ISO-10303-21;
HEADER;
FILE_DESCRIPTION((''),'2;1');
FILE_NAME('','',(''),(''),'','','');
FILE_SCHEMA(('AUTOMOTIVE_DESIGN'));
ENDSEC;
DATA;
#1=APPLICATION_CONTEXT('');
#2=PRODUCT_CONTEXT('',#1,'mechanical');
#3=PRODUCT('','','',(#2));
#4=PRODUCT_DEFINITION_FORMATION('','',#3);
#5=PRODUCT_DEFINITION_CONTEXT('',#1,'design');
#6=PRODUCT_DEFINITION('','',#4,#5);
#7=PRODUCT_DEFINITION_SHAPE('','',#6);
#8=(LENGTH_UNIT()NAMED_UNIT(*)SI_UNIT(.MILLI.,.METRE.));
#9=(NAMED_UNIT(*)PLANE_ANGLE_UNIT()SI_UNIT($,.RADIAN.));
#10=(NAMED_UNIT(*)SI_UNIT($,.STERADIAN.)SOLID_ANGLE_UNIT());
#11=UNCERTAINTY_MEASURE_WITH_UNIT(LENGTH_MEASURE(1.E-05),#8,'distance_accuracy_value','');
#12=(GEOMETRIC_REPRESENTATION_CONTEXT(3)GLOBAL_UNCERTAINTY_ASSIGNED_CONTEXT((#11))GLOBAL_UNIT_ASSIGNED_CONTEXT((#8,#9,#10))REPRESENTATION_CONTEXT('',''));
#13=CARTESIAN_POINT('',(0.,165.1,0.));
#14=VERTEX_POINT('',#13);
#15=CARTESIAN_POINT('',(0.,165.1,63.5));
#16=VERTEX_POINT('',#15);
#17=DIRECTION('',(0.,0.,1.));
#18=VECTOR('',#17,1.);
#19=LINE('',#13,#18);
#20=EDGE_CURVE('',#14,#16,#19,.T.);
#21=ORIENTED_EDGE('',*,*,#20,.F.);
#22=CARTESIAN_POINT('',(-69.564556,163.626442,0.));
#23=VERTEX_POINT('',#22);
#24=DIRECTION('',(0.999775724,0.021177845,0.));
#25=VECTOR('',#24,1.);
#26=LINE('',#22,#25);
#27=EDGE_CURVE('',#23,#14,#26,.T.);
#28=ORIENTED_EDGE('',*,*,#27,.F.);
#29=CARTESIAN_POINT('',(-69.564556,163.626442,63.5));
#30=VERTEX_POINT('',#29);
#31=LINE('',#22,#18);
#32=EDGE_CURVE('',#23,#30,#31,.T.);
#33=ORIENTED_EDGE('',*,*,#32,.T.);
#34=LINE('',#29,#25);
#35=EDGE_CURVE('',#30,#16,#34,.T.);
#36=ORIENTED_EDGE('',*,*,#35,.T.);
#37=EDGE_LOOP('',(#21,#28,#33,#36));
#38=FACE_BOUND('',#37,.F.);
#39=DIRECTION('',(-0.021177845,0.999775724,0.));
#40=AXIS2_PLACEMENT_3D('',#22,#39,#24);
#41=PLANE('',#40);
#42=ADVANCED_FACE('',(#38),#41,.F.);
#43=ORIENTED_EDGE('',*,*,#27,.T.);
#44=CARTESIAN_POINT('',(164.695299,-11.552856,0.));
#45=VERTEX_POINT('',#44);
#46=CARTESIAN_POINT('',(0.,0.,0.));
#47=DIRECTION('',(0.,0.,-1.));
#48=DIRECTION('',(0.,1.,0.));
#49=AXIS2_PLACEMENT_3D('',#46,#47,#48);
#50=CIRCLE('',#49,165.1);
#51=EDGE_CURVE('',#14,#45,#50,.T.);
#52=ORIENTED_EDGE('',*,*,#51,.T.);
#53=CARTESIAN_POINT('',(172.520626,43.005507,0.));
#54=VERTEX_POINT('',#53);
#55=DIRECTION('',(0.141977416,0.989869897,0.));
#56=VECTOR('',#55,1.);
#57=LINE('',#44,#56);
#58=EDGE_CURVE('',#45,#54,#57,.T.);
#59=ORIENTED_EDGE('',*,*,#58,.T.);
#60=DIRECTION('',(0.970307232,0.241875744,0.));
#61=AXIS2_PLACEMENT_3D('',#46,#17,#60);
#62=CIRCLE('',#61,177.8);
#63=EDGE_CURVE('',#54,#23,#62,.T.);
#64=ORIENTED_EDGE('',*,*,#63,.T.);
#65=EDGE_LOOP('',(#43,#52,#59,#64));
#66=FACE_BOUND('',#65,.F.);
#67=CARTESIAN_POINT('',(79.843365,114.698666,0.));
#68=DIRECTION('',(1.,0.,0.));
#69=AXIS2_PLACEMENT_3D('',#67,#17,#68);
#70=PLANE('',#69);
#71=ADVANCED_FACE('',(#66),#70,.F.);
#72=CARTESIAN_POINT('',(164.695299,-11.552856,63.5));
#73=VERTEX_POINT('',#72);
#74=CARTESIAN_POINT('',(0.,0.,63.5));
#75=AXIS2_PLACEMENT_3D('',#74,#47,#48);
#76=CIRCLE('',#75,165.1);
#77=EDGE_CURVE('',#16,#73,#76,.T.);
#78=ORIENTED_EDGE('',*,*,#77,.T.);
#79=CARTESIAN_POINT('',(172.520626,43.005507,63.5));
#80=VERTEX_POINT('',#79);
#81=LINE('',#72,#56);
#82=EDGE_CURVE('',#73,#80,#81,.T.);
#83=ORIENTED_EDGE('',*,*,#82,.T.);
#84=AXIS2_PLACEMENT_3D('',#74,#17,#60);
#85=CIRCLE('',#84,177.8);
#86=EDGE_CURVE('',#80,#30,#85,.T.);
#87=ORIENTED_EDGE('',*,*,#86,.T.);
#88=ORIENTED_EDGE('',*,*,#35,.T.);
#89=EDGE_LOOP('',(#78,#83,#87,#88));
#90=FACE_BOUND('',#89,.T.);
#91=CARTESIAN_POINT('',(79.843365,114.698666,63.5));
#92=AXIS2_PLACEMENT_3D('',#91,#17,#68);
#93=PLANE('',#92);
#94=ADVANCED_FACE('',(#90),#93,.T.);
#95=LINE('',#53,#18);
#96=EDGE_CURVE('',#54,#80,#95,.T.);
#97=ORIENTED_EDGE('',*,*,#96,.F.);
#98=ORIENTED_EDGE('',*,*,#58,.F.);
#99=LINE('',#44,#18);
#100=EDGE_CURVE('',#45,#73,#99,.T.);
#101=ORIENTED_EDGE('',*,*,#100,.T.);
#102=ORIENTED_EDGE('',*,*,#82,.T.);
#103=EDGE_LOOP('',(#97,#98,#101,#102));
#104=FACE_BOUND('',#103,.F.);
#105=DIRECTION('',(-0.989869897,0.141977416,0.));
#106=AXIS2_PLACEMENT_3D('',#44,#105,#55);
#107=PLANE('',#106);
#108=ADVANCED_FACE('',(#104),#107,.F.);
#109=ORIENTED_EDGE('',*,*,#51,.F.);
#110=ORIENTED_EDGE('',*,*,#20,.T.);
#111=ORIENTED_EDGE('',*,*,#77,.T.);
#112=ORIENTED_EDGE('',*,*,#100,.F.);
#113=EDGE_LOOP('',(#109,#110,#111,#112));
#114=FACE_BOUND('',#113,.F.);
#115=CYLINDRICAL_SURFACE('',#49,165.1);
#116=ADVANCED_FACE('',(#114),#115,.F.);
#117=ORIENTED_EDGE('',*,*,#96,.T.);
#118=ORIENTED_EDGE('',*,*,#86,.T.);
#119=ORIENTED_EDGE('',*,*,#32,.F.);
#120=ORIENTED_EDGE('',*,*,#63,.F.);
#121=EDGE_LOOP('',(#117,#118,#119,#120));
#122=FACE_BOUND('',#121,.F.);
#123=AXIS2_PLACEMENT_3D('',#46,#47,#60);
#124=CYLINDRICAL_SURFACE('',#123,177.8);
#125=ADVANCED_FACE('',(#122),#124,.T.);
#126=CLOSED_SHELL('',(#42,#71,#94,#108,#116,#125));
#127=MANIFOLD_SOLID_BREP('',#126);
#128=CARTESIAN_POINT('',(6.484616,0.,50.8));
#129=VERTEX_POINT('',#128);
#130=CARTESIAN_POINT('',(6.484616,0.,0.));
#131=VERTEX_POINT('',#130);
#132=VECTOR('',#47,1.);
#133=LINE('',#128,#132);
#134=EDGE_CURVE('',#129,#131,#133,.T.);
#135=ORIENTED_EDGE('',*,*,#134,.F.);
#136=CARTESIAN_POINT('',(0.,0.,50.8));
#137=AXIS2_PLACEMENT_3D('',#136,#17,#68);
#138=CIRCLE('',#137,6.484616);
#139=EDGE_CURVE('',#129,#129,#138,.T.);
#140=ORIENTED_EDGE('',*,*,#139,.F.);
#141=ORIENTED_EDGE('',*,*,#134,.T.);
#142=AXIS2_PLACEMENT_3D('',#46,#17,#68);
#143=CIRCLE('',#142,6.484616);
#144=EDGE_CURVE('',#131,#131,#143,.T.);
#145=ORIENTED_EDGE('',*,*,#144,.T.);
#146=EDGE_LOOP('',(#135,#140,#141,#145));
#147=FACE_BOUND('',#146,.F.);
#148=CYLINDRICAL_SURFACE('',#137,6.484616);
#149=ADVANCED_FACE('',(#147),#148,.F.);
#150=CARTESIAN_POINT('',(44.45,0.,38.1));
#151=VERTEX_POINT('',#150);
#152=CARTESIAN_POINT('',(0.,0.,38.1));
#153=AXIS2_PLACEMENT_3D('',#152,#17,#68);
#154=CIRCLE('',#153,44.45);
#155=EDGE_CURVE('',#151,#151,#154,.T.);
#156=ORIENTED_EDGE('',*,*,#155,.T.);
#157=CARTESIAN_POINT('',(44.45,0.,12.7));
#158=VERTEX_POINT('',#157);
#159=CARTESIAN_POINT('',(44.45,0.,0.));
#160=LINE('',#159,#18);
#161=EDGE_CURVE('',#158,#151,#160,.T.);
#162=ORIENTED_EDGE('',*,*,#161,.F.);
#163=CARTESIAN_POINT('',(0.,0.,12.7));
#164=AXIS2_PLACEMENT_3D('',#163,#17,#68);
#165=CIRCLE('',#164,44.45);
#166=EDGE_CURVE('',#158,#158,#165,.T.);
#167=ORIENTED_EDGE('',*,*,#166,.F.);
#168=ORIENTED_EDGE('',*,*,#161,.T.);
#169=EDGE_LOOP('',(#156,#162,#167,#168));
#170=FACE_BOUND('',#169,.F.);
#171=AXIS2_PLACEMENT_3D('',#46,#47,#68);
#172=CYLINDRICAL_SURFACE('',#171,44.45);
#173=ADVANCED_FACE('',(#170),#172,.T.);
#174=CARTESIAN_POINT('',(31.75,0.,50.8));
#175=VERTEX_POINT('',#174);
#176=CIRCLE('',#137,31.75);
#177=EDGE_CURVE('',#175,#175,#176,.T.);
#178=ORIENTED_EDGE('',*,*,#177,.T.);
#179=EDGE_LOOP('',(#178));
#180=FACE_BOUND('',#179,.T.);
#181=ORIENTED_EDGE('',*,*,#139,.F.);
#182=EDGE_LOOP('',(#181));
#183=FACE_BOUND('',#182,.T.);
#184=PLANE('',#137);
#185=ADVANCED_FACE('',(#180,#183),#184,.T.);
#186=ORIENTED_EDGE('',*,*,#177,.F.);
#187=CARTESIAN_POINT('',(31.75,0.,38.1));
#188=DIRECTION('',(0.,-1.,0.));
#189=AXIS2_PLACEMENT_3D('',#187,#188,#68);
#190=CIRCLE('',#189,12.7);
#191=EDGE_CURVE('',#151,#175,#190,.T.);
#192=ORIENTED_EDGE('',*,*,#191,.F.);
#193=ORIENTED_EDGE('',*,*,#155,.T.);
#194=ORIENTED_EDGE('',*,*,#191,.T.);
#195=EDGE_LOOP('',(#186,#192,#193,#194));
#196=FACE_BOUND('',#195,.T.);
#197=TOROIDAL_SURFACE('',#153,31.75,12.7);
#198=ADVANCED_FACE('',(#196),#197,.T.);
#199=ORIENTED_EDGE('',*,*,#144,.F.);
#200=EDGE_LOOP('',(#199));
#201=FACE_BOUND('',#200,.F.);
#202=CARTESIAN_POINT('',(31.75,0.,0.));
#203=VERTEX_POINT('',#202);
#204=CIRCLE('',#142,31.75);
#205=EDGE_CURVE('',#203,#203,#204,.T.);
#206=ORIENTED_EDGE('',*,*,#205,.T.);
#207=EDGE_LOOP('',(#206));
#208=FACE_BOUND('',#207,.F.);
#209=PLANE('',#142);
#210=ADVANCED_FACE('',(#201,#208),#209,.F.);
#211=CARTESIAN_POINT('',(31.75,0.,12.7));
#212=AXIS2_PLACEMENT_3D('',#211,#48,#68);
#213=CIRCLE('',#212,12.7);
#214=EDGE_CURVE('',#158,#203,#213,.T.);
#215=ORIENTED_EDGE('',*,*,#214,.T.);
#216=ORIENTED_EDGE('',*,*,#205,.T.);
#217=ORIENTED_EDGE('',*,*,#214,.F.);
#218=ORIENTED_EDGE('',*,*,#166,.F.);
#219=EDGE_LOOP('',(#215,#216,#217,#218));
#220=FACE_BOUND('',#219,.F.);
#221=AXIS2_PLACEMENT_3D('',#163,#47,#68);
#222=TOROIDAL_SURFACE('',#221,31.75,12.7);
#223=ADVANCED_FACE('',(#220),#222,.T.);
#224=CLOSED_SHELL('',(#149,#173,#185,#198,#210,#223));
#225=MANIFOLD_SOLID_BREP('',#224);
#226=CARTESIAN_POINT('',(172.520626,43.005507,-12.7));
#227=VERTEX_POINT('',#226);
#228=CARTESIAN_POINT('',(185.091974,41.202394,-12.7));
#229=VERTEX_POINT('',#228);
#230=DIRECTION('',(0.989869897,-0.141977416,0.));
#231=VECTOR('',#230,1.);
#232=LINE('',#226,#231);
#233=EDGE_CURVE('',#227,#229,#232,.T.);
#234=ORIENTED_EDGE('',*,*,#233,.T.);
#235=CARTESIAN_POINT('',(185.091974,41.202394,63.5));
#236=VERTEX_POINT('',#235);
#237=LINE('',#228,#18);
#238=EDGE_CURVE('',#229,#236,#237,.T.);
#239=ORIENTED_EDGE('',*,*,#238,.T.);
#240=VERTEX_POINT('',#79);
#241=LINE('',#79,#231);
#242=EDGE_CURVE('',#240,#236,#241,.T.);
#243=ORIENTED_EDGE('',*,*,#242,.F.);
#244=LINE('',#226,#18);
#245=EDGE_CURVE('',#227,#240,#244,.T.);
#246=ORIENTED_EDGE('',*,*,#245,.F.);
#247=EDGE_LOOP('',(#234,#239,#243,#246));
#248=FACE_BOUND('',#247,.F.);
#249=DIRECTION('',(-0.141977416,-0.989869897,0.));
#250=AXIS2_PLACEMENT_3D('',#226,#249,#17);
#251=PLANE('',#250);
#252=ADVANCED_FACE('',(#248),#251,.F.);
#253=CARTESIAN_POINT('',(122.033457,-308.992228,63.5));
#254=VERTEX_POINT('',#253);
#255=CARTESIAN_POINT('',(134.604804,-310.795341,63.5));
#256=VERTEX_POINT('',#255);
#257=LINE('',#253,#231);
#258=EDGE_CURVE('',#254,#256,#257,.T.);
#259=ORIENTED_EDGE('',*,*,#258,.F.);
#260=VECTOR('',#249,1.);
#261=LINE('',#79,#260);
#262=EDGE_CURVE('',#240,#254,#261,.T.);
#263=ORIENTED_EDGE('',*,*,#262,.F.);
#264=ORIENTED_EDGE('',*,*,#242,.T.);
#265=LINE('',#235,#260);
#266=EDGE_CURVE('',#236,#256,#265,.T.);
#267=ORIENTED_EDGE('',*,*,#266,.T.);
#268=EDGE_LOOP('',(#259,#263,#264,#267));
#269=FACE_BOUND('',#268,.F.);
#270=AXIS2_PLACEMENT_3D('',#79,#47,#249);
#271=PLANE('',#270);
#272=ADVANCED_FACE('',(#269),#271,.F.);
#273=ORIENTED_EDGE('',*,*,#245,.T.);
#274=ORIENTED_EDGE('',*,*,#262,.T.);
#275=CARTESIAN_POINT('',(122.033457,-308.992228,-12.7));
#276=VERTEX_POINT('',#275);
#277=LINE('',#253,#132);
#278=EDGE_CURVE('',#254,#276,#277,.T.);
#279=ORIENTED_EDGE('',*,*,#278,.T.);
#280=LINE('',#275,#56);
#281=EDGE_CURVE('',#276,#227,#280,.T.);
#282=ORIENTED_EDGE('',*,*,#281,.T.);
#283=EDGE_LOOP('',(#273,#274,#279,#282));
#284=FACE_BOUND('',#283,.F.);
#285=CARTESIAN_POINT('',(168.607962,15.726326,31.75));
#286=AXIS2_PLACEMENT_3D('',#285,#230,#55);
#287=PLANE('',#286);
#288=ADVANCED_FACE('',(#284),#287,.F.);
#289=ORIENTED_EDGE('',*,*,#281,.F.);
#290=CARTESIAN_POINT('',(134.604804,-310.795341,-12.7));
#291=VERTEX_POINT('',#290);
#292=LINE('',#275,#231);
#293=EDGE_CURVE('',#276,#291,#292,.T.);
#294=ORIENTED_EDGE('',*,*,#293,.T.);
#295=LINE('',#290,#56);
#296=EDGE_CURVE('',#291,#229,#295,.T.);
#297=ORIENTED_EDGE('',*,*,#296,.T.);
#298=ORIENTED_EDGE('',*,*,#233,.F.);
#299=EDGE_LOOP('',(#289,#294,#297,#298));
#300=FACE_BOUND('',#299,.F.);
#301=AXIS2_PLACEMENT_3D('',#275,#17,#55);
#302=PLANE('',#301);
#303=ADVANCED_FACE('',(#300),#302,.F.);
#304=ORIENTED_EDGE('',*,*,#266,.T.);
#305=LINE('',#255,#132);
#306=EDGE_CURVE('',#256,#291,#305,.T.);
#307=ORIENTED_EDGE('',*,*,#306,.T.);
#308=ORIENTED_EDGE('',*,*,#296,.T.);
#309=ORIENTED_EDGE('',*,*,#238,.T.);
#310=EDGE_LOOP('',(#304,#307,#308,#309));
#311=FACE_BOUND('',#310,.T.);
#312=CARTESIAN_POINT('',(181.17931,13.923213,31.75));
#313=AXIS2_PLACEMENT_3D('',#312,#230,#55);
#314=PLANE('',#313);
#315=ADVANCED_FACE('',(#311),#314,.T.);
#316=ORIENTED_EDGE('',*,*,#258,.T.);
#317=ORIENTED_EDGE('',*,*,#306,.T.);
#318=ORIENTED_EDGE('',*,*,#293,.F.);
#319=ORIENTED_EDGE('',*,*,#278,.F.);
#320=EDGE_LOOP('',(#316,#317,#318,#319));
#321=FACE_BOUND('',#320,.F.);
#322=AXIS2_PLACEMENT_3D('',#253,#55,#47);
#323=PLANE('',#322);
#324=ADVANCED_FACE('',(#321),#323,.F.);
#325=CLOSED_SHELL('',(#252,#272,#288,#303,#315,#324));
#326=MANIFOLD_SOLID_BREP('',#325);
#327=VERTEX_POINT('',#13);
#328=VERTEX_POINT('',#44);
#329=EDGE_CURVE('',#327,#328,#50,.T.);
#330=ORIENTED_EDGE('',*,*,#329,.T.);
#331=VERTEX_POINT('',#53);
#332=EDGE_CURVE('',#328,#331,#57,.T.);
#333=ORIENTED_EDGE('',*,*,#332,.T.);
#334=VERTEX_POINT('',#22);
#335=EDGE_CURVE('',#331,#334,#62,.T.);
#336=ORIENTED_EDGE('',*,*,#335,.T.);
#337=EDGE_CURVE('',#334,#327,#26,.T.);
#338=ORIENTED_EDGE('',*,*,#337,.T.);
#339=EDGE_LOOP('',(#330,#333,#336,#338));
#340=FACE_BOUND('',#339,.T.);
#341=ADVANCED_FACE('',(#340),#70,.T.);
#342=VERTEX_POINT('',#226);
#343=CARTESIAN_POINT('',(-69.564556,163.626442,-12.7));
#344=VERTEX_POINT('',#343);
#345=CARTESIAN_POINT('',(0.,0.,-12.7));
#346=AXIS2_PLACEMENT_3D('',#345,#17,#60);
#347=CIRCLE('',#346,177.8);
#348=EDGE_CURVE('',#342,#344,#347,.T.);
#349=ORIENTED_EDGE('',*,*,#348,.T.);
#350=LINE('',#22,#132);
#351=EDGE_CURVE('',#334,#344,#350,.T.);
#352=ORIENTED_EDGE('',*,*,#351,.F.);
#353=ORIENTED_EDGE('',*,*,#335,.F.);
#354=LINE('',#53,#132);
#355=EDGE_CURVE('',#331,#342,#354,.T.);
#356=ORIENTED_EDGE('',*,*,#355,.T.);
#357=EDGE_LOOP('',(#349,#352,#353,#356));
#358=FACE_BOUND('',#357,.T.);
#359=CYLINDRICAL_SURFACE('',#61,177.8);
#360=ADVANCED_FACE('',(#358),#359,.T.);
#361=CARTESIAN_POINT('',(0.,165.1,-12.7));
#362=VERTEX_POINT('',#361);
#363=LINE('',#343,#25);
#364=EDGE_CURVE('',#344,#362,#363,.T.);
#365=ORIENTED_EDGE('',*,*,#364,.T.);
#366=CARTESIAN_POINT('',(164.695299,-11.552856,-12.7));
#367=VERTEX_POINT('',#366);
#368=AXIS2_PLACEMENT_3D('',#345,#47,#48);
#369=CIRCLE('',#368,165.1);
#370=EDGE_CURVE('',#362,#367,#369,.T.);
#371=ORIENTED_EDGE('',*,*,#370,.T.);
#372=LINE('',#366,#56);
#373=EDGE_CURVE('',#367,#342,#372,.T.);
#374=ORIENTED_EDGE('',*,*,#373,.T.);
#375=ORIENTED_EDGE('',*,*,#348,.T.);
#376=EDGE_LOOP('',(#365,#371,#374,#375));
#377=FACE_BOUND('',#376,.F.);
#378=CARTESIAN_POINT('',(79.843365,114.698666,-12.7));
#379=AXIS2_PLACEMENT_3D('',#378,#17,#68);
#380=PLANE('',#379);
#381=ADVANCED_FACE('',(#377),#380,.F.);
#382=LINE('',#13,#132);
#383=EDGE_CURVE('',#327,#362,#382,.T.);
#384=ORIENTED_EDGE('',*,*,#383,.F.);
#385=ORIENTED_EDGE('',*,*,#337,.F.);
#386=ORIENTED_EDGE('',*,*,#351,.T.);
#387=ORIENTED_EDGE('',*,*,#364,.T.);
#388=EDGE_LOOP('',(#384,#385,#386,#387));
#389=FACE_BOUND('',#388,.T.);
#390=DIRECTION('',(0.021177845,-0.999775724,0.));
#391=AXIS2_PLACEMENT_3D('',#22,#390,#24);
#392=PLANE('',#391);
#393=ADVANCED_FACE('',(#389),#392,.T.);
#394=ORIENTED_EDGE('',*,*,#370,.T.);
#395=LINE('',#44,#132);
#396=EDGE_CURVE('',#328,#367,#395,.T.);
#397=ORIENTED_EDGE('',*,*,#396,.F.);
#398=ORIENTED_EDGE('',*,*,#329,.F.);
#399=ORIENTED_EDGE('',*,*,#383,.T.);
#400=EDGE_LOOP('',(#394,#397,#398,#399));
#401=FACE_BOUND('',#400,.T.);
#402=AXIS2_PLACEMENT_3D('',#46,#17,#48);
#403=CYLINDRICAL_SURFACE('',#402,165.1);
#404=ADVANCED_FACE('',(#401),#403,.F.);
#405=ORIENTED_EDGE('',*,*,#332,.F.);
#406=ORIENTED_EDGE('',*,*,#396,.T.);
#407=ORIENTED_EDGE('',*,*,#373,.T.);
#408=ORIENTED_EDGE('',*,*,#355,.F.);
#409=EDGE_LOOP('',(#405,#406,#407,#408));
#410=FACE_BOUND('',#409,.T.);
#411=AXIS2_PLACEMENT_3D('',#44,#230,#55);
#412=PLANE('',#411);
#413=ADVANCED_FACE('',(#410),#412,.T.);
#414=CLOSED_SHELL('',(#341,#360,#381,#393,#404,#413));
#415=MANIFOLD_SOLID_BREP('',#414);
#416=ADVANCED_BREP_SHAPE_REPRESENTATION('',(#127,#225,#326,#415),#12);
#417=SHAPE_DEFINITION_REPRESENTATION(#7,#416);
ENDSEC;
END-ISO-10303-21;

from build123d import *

# Parameters (mm, degrees)
F0_R     = 44.45
F1_DEPTH = 50.8
F2_R     = 12.7
F3_R     = 6.484616496
F4_DEPTH = 76.2
F6_DEPTH = 63.5
F7_DEPTH = 12.7
F8_W     = 55.1167010857
F8_H     = 63.5
F9_DEPTH = 12.7


with BuildPart() as f1:
    # F0 (on Top) → F1 (new body)
    with BuildSketch(Plane.XY):
        Circle(F0_R)
    extrude(amount=F1_DEPTH)

    # F2
    f2_edges = [f1.edges().sort_by_distance(p)[0] for p in [
        (44.45, 0, 25.4),
        (-44.45, 0, 0),
        (-44.45, 0, 50.8),
    ]]
    fillet(f2_edges, radius=F2_R)

    # F3 (on face) → F4 (cut)
    with BuildSketch(Plane.XY.offset(50.8)):
        Circle(F3_R)
    extrude(amount=-F4_DEPTH, mode=Mode.SUBTRACT)


with BuildPart() as f6:
    # F5 (on Top) → F6 (new body)
    with BuildSketch(Plane.XY):
        with BuildLine():
            ThreePointArc((0, 165.1), (120.7588226786, 112.5847091984), (164.6952990237, -11.5528559021))
            Line((164.6952990237, -11.5528559021), (172.5206258367, 43.0055073325))
            ThreePointArc((172.5206258367, 43.0055073325), (79.292752248, 159.1398738247), (-69.5645559347, 163.6264421101))
            Line((-69.5645559347, 163.6264421101), (0, 165.1))
        make_face()
    extrude(amount=F6_DEPTH)


with BuildPart() as f7:
    # F7 (new): a face of the model
    f7_faces = [f6.part.faces().sort_by_distance(p)[0] for p in [
        (-34.8473665993, 167.4359620785, 0),
    ]]
    extrude(f7_faces, amount=F7_DEPTH)


with BuildPart() as f9:
    # F8 (on face) → F9 (new body)
    with BuildSketch(Plane(origin=(162.9990680345, -23.3790183934, 0), x_dir=(0.1419774163, 0.9898698971, 0), z_dir=(0.9898698971, -0.1419774163, 0))):
        with Locations((39.505539285, 31.75)):
            Rectangle(F8_W, F8_H)
        Polygon((-288.5361101722, 63.5), (-288.5361101722, -12.7), (67.0638898278, -12.7), (67.0638898278, 0), (11.9471887422, 0), (11.9471887422, 63.5), align=None)
    extrude(amount=F9_DEPTH)


solid = Compound([f1.part, f6.part, f7.part, f9.part])
